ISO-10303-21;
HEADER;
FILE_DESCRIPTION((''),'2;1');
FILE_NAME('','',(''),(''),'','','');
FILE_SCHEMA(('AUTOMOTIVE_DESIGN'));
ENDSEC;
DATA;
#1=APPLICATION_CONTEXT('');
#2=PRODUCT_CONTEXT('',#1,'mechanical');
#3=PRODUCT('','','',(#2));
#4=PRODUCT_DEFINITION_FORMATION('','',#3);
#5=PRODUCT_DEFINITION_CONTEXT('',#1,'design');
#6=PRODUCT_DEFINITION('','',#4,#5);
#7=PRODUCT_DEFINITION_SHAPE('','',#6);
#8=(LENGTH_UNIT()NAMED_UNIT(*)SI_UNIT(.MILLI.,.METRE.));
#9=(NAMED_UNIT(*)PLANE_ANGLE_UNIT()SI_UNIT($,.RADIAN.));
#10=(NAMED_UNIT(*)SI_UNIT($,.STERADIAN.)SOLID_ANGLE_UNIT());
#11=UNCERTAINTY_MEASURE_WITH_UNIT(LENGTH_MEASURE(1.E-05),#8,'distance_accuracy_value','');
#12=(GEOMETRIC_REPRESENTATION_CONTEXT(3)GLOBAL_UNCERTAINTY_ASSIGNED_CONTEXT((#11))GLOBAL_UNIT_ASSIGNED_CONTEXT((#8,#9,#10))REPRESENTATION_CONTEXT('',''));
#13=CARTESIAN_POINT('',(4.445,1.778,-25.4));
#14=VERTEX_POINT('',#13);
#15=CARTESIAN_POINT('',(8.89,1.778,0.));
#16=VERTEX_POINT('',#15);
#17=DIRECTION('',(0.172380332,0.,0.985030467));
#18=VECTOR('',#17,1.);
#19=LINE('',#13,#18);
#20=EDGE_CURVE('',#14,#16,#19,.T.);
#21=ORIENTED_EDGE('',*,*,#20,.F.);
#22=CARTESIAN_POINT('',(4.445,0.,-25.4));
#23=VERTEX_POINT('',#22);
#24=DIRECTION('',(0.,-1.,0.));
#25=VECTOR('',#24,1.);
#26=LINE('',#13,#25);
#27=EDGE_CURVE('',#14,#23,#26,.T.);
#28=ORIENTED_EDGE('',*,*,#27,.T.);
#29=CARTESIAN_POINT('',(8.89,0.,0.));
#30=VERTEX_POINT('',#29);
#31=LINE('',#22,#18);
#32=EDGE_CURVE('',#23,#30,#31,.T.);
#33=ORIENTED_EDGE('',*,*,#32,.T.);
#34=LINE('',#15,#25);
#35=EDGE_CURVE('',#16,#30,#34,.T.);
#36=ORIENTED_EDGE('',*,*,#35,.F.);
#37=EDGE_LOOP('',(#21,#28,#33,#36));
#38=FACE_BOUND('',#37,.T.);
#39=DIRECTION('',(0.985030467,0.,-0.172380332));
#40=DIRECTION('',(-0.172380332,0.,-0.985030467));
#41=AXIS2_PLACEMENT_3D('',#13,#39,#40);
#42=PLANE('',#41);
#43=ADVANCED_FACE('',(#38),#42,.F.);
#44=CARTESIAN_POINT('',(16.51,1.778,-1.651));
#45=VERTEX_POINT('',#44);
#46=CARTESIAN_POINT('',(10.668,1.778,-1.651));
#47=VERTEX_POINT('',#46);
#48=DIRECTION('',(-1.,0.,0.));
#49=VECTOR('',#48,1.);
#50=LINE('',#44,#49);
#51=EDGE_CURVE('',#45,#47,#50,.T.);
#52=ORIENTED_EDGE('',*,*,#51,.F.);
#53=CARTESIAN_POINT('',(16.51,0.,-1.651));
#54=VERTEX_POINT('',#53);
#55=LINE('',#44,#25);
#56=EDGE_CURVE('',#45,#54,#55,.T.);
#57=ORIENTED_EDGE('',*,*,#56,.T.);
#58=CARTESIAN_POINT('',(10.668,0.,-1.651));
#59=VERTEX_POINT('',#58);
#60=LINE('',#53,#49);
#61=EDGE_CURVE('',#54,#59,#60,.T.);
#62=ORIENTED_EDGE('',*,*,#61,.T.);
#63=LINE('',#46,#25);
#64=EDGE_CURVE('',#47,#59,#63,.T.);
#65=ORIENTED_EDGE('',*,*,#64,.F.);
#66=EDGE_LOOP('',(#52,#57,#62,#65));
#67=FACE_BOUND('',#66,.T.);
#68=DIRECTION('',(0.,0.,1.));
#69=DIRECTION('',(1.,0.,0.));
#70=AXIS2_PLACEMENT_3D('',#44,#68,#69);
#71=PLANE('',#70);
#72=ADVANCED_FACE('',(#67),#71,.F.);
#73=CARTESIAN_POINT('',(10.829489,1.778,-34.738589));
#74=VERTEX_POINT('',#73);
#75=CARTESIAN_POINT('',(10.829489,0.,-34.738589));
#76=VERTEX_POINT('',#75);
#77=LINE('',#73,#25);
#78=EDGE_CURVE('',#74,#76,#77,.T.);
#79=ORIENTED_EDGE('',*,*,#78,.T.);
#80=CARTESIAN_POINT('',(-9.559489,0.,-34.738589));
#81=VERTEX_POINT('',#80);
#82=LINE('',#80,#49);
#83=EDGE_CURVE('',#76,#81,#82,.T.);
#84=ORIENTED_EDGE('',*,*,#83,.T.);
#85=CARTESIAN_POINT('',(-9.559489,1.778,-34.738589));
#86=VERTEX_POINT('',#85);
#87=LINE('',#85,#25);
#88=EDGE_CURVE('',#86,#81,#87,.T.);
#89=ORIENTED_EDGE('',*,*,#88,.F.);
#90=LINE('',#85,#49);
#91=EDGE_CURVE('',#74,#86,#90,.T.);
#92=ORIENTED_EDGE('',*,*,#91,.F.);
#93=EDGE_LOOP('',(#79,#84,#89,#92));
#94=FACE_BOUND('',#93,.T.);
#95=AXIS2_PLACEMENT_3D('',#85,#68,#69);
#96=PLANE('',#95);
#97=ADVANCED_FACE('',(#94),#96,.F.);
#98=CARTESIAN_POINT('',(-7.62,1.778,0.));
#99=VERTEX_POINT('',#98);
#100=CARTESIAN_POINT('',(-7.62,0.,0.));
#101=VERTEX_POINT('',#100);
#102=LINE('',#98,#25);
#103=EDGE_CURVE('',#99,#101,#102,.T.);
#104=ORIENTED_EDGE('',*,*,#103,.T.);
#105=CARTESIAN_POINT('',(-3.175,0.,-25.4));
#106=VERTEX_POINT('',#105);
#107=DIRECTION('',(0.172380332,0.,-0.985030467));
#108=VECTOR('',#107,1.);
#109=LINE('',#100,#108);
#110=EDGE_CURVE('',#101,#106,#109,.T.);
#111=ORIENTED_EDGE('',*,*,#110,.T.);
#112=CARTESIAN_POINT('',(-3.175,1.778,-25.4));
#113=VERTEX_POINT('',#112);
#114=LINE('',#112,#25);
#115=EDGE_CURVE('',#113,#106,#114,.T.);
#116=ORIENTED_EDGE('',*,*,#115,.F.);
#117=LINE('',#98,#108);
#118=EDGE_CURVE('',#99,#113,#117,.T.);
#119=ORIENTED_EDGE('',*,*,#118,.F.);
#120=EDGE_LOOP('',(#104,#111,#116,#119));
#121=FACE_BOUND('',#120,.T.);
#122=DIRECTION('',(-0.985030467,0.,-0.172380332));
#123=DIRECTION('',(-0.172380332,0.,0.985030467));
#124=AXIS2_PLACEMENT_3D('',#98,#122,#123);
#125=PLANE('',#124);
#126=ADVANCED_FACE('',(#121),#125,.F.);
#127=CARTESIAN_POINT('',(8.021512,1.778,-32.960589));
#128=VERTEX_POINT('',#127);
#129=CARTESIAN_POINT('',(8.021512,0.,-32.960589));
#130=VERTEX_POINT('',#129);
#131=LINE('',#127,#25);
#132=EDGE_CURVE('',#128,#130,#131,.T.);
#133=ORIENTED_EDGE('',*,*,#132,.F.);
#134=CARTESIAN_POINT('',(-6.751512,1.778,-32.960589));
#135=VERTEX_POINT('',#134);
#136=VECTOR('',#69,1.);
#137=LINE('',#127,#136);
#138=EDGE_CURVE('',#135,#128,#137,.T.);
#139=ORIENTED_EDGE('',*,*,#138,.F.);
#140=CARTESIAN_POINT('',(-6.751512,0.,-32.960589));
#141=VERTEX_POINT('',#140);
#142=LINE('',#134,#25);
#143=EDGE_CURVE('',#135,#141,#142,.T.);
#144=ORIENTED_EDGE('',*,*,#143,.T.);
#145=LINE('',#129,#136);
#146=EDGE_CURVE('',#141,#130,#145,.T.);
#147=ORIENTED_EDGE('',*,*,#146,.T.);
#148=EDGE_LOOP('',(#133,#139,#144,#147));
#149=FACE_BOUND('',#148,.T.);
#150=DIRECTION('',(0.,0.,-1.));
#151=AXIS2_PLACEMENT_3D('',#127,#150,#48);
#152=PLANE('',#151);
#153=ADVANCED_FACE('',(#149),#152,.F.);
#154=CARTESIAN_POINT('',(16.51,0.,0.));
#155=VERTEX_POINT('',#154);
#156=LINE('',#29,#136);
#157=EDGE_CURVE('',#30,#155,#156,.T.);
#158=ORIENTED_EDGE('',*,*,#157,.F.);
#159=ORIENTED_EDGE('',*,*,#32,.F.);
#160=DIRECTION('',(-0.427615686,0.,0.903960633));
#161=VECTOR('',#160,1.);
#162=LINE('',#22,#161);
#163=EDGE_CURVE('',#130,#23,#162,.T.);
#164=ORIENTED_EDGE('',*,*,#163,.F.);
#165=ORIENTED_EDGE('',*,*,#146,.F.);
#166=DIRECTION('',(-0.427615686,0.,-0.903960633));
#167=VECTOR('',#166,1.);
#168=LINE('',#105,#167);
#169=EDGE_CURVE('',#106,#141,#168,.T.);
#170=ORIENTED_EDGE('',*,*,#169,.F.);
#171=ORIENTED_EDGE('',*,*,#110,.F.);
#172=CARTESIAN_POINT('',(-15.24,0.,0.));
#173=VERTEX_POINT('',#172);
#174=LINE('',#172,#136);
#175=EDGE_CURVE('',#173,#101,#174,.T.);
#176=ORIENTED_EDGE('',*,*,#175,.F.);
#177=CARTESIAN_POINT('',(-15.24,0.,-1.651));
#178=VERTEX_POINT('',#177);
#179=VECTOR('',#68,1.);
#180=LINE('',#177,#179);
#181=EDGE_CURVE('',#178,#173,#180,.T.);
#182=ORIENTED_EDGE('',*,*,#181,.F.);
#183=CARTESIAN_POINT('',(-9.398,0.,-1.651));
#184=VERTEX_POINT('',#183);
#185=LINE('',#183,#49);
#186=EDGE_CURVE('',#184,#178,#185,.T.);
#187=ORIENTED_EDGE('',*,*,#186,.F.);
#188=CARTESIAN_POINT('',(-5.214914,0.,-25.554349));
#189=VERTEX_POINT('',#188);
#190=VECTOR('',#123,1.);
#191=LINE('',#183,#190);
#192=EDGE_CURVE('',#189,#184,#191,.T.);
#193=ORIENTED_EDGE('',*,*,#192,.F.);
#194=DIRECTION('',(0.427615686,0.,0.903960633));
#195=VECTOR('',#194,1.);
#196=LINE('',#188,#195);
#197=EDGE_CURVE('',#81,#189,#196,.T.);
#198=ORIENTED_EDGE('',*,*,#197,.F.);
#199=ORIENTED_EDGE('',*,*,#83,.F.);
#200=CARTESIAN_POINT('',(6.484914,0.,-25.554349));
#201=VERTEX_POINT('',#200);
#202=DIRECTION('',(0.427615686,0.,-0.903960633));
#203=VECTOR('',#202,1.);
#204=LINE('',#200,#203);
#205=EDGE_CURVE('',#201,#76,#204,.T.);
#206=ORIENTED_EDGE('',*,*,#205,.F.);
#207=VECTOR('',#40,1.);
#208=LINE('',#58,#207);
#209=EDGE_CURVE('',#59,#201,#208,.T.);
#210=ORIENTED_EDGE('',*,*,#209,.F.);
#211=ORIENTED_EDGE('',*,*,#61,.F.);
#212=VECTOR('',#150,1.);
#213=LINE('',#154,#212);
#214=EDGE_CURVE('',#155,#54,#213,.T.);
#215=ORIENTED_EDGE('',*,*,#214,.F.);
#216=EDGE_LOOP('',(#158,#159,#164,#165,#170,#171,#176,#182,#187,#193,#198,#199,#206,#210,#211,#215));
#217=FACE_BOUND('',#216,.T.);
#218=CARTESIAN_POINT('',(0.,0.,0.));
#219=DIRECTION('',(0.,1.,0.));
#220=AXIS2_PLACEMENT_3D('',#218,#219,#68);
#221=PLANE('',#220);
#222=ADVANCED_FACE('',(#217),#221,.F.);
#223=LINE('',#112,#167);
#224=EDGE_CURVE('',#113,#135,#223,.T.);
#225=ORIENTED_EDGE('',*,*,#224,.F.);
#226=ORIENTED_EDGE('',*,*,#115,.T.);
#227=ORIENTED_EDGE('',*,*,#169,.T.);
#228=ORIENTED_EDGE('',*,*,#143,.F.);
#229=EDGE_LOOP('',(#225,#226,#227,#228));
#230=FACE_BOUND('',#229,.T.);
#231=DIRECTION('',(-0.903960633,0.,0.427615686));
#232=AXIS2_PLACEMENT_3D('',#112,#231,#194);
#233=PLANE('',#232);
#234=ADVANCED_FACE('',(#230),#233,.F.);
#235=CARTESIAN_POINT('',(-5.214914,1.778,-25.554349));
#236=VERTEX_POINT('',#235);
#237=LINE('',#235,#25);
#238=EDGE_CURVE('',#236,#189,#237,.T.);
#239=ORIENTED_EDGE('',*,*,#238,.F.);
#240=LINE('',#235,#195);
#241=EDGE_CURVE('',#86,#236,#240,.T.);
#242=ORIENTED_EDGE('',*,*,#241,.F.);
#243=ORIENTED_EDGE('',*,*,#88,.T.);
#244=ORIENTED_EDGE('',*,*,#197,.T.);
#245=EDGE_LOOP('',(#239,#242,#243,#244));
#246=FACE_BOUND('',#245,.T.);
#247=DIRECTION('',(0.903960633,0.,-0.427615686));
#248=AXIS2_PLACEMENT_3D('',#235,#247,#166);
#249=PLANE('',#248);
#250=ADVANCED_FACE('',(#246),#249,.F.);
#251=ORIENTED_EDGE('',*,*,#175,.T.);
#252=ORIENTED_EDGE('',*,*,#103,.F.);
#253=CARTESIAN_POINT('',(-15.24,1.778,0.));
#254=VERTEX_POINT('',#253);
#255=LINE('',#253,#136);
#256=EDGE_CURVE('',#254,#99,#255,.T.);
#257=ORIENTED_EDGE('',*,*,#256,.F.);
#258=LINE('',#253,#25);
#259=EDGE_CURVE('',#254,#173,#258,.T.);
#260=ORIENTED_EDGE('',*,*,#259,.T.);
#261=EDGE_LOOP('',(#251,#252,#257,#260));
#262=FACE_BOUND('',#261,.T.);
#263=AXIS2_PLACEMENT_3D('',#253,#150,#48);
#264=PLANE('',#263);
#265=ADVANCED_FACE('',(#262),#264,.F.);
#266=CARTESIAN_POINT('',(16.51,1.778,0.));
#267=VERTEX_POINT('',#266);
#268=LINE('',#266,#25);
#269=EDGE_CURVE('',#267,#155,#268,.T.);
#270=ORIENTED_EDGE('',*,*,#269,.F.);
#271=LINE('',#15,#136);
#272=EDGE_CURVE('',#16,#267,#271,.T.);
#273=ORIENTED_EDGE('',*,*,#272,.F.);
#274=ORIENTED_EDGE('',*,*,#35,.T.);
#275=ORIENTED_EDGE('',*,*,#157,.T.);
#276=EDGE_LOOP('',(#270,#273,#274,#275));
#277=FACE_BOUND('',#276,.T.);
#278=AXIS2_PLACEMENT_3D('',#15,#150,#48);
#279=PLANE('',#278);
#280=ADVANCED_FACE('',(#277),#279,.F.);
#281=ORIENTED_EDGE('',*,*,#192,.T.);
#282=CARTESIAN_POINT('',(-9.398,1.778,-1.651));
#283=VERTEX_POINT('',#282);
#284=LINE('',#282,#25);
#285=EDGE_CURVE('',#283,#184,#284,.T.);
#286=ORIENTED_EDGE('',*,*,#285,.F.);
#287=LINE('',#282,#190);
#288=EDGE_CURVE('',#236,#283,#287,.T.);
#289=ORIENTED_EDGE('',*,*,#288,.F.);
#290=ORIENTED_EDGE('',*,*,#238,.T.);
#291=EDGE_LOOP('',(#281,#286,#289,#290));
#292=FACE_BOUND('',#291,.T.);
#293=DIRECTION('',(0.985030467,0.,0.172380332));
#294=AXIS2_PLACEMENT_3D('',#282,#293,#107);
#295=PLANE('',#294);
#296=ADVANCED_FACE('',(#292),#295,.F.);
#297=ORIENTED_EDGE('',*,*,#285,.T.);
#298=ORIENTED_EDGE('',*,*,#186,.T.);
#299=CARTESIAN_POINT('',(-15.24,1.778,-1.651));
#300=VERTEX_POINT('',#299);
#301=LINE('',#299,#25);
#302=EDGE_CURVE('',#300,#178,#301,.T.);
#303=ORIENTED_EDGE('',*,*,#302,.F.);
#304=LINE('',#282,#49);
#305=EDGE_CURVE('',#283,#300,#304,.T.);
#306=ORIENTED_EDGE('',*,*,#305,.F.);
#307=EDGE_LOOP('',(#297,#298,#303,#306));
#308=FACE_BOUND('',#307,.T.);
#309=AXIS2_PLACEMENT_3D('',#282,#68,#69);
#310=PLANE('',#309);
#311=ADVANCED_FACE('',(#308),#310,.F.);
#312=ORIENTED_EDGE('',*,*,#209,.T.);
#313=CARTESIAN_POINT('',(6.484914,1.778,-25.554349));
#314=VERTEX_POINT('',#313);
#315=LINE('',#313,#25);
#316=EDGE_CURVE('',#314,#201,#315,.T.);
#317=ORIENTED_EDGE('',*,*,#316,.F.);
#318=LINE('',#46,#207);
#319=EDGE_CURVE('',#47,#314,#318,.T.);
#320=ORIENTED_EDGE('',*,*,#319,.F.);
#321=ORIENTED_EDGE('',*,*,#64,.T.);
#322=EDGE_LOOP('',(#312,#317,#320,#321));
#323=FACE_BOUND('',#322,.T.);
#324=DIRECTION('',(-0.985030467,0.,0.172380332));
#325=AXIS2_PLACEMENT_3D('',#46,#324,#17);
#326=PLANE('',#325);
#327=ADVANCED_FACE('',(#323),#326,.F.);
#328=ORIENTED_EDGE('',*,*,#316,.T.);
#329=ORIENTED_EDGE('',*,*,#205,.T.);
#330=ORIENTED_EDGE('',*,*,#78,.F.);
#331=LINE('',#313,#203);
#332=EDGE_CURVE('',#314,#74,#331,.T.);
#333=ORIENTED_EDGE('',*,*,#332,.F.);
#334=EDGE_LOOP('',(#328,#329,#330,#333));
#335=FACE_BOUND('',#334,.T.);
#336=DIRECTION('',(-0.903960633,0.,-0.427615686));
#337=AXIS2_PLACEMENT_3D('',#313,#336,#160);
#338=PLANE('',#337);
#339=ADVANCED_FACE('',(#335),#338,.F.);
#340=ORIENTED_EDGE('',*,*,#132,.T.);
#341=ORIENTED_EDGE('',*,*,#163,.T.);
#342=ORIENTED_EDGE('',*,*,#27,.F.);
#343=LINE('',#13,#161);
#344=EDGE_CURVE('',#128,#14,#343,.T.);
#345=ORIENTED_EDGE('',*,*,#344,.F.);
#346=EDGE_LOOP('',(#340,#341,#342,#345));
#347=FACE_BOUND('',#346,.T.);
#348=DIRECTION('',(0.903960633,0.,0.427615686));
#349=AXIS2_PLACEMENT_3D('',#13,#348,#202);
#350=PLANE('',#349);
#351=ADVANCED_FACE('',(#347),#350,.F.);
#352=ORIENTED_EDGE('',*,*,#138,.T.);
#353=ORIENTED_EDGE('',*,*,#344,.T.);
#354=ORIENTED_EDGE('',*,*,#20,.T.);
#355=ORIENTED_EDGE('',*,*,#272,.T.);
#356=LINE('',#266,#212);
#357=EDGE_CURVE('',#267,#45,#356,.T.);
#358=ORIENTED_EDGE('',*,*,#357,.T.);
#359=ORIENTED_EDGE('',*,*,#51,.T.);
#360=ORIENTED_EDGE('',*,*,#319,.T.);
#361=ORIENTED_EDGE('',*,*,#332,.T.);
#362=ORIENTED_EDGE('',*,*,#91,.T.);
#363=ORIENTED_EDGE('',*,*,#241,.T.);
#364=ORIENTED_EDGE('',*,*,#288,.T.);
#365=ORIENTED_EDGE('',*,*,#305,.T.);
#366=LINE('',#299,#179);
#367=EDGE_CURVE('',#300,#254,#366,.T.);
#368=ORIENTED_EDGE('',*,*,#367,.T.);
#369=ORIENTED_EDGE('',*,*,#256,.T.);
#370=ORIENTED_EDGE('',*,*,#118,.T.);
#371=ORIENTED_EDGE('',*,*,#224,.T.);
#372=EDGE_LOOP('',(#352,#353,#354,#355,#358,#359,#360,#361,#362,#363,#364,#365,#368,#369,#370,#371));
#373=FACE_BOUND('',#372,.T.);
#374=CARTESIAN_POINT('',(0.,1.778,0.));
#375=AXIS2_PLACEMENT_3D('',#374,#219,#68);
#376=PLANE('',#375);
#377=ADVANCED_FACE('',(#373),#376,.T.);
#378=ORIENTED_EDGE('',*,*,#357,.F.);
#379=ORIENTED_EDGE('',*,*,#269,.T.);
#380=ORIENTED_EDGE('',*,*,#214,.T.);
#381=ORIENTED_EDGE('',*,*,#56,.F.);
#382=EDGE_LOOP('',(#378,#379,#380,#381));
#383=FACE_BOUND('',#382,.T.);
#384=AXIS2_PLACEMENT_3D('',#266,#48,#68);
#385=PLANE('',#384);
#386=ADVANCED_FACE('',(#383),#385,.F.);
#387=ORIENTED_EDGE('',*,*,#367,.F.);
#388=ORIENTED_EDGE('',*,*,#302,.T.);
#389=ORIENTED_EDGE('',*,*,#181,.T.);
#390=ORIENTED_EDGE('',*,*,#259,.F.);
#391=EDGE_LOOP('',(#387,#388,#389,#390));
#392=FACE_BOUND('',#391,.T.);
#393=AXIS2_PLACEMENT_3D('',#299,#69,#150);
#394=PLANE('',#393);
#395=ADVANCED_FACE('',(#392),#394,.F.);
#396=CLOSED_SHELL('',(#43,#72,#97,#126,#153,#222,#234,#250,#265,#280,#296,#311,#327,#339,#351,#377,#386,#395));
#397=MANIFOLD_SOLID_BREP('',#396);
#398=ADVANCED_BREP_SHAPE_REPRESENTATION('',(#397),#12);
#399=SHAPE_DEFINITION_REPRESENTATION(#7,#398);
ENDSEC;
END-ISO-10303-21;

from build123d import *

# Parameters (mm, degrees)
BOSS_EXTRUDE1_DEPTH = 1.778


with BuildPart() as part:
    # Sketch1 → Boss-Extrude1 (new body)
    with BuildSketch(Plane(origin=(0, 0, 0), x_dir=(1, 0, 0), z_dir=(0, 1, 0))):
        Polygon((-15.24, 0), (-7.62, 0), (-3.175, 25.4), (-6.751512317, 32.960588734), (8.021512317, 32.960588734), (4.445, 25.4), (8.89, 0), (16.51, 0), (16.51, 1.651), (10.668, 1.651), (6.484913976, 25.554348707), (10.829489344, 34.738588734), (-9.559489344, 34.738588734), (-5.214913976, 25.554348707), (-9.398, 1.651), (-15.24, 1.651), align=None)
    extrude(amount=BOSS_EXTRUDE1_DEPTH)


solid = part.part
